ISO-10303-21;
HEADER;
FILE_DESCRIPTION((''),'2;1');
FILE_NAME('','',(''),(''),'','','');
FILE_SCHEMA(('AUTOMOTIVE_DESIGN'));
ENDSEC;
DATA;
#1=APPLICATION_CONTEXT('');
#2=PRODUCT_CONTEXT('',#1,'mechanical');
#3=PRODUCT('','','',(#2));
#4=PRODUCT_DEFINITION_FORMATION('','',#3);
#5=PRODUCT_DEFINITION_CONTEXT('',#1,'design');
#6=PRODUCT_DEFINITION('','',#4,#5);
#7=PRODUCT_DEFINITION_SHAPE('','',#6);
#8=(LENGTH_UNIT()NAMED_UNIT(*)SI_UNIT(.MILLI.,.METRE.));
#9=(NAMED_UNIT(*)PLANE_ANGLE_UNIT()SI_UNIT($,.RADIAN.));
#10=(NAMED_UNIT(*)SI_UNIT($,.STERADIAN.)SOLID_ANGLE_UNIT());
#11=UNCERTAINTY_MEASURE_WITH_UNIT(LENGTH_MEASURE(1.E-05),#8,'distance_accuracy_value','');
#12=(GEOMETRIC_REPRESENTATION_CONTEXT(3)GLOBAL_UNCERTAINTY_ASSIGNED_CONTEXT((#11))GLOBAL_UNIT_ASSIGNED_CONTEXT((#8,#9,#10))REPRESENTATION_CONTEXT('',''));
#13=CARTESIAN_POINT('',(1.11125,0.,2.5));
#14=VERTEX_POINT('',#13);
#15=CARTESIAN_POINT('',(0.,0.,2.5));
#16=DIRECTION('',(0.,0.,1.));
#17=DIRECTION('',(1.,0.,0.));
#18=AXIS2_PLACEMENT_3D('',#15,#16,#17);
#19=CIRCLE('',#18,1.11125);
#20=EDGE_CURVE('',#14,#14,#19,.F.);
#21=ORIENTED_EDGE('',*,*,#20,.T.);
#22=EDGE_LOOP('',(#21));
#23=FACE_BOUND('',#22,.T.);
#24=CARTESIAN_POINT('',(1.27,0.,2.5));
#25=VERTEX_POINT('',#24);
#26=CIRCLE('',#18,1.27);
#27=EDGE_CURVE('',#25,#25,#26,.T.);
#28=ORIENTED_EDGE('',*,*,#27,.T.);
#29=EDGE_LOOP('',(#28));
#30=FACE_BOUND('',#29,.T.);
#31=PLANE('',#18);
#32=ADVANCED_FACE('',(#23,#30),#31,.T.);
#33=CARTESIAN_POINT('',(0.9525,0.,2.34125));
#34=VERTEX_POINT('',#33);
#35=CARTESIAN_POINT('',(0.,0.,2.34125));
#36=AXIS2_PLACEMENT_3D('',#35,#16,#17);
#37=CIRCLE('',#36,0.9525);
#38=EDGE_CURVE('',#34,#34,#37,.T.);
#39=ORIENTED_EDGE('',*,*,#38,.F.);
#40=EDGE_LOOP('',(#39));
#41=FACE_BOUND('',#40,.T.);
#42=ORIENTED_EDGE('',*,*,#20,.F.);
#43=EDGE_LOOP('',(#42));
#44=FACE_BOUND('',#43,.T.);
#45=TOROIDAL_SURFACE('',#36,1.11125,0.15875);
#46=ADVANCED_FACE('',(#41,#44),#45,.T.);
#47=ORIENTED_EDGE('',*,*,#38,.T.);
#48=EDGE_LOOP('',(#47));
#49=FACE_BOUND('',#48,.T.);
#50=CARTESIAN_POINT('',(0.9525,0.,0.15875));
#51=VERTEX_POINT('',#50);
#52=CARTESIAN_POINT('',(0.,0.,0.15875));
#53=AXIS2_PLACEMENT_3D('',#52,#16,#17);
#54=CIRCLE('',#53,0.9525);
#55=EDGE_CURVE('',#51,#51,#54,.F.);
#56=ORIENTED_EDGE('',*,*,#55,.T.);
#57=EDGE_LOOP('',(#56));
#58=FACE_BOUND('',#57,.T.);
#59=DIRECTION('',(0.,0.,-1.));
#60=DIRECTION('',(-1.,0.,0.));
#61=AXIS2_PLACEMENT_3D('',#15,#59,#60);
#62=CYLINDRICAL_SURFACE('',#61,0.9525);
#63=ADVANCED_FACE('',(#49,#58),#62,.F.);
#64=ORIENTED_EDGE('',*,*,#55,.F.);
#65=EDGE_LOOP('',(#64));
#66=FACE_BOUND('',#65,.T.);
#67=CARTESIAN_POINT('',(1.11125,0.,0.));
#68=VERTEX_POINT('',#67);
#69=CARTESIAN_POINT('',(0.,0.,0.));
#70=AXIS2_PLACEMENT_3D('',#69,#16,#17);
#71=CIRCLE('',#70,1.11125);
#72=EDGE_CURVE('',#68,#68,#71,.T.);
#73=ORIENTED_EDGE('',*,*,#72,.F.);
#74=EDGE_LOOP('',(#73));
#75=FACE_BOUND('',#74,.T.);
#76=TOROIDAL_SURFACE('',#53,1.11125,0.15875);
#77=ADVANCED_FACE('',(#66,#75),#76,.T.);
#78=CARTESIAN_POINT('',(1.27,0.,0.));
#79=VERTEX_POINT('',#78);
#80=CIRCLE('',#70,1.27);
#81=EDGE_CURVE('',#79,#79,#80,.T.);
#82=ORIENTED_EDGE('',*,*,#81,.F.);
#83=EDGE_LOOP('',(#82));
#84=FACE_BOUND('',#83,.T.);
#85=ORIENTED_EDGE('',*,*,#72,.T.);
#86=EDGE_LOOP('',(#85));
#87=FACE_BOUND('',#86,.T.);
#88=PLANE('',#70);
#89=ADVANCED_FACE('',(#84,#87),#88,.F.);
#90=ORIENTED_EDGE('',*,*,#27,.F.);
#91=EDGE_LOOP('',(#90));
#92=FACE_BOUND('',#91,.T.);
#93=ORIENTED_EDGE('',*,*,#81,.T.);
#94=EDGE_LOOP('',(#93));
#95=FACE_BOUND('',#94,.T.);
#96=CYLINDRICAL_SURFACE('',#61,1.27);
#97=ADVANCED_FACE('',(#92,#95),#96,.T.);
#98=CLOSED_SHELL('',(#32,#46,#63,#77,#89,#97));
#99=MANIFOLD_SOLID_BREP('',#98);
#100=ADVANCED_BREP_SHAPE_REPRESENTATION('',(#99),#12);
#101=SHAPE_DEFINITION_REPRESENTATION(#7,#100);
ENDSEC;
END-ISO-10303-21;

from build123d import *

# Parameters (mm, degrees)
SKETCH1_R           = 1.27
SKETCH1_R_2         = 0.9525
BOSS_EXTRUDE1_DEPTH = 2.5
FILLET3_R           = 0.15875


with BuildPart() as part:
    # Sketch1 → Boss-Extrude1 (new body)
    with BuildSketch(Plane.XY):
        Circle(SKETCH1_R)
        Circle(SKETCH1_R_2, mode=Mode.SUBTRACT)
    extrude(amount=BOSS_EXTRUDE1_DEPTH)

    # Fillet3
    fillet3_edges = [part.edges().sort_by_distance(p)[0] for p in [
        (-0.9525, 0, 0),
        (-0.9525, 0, 2.5),
    ]]
    fillet(fillet3_edges, radius=FILLET3_R)


solid = part.part
